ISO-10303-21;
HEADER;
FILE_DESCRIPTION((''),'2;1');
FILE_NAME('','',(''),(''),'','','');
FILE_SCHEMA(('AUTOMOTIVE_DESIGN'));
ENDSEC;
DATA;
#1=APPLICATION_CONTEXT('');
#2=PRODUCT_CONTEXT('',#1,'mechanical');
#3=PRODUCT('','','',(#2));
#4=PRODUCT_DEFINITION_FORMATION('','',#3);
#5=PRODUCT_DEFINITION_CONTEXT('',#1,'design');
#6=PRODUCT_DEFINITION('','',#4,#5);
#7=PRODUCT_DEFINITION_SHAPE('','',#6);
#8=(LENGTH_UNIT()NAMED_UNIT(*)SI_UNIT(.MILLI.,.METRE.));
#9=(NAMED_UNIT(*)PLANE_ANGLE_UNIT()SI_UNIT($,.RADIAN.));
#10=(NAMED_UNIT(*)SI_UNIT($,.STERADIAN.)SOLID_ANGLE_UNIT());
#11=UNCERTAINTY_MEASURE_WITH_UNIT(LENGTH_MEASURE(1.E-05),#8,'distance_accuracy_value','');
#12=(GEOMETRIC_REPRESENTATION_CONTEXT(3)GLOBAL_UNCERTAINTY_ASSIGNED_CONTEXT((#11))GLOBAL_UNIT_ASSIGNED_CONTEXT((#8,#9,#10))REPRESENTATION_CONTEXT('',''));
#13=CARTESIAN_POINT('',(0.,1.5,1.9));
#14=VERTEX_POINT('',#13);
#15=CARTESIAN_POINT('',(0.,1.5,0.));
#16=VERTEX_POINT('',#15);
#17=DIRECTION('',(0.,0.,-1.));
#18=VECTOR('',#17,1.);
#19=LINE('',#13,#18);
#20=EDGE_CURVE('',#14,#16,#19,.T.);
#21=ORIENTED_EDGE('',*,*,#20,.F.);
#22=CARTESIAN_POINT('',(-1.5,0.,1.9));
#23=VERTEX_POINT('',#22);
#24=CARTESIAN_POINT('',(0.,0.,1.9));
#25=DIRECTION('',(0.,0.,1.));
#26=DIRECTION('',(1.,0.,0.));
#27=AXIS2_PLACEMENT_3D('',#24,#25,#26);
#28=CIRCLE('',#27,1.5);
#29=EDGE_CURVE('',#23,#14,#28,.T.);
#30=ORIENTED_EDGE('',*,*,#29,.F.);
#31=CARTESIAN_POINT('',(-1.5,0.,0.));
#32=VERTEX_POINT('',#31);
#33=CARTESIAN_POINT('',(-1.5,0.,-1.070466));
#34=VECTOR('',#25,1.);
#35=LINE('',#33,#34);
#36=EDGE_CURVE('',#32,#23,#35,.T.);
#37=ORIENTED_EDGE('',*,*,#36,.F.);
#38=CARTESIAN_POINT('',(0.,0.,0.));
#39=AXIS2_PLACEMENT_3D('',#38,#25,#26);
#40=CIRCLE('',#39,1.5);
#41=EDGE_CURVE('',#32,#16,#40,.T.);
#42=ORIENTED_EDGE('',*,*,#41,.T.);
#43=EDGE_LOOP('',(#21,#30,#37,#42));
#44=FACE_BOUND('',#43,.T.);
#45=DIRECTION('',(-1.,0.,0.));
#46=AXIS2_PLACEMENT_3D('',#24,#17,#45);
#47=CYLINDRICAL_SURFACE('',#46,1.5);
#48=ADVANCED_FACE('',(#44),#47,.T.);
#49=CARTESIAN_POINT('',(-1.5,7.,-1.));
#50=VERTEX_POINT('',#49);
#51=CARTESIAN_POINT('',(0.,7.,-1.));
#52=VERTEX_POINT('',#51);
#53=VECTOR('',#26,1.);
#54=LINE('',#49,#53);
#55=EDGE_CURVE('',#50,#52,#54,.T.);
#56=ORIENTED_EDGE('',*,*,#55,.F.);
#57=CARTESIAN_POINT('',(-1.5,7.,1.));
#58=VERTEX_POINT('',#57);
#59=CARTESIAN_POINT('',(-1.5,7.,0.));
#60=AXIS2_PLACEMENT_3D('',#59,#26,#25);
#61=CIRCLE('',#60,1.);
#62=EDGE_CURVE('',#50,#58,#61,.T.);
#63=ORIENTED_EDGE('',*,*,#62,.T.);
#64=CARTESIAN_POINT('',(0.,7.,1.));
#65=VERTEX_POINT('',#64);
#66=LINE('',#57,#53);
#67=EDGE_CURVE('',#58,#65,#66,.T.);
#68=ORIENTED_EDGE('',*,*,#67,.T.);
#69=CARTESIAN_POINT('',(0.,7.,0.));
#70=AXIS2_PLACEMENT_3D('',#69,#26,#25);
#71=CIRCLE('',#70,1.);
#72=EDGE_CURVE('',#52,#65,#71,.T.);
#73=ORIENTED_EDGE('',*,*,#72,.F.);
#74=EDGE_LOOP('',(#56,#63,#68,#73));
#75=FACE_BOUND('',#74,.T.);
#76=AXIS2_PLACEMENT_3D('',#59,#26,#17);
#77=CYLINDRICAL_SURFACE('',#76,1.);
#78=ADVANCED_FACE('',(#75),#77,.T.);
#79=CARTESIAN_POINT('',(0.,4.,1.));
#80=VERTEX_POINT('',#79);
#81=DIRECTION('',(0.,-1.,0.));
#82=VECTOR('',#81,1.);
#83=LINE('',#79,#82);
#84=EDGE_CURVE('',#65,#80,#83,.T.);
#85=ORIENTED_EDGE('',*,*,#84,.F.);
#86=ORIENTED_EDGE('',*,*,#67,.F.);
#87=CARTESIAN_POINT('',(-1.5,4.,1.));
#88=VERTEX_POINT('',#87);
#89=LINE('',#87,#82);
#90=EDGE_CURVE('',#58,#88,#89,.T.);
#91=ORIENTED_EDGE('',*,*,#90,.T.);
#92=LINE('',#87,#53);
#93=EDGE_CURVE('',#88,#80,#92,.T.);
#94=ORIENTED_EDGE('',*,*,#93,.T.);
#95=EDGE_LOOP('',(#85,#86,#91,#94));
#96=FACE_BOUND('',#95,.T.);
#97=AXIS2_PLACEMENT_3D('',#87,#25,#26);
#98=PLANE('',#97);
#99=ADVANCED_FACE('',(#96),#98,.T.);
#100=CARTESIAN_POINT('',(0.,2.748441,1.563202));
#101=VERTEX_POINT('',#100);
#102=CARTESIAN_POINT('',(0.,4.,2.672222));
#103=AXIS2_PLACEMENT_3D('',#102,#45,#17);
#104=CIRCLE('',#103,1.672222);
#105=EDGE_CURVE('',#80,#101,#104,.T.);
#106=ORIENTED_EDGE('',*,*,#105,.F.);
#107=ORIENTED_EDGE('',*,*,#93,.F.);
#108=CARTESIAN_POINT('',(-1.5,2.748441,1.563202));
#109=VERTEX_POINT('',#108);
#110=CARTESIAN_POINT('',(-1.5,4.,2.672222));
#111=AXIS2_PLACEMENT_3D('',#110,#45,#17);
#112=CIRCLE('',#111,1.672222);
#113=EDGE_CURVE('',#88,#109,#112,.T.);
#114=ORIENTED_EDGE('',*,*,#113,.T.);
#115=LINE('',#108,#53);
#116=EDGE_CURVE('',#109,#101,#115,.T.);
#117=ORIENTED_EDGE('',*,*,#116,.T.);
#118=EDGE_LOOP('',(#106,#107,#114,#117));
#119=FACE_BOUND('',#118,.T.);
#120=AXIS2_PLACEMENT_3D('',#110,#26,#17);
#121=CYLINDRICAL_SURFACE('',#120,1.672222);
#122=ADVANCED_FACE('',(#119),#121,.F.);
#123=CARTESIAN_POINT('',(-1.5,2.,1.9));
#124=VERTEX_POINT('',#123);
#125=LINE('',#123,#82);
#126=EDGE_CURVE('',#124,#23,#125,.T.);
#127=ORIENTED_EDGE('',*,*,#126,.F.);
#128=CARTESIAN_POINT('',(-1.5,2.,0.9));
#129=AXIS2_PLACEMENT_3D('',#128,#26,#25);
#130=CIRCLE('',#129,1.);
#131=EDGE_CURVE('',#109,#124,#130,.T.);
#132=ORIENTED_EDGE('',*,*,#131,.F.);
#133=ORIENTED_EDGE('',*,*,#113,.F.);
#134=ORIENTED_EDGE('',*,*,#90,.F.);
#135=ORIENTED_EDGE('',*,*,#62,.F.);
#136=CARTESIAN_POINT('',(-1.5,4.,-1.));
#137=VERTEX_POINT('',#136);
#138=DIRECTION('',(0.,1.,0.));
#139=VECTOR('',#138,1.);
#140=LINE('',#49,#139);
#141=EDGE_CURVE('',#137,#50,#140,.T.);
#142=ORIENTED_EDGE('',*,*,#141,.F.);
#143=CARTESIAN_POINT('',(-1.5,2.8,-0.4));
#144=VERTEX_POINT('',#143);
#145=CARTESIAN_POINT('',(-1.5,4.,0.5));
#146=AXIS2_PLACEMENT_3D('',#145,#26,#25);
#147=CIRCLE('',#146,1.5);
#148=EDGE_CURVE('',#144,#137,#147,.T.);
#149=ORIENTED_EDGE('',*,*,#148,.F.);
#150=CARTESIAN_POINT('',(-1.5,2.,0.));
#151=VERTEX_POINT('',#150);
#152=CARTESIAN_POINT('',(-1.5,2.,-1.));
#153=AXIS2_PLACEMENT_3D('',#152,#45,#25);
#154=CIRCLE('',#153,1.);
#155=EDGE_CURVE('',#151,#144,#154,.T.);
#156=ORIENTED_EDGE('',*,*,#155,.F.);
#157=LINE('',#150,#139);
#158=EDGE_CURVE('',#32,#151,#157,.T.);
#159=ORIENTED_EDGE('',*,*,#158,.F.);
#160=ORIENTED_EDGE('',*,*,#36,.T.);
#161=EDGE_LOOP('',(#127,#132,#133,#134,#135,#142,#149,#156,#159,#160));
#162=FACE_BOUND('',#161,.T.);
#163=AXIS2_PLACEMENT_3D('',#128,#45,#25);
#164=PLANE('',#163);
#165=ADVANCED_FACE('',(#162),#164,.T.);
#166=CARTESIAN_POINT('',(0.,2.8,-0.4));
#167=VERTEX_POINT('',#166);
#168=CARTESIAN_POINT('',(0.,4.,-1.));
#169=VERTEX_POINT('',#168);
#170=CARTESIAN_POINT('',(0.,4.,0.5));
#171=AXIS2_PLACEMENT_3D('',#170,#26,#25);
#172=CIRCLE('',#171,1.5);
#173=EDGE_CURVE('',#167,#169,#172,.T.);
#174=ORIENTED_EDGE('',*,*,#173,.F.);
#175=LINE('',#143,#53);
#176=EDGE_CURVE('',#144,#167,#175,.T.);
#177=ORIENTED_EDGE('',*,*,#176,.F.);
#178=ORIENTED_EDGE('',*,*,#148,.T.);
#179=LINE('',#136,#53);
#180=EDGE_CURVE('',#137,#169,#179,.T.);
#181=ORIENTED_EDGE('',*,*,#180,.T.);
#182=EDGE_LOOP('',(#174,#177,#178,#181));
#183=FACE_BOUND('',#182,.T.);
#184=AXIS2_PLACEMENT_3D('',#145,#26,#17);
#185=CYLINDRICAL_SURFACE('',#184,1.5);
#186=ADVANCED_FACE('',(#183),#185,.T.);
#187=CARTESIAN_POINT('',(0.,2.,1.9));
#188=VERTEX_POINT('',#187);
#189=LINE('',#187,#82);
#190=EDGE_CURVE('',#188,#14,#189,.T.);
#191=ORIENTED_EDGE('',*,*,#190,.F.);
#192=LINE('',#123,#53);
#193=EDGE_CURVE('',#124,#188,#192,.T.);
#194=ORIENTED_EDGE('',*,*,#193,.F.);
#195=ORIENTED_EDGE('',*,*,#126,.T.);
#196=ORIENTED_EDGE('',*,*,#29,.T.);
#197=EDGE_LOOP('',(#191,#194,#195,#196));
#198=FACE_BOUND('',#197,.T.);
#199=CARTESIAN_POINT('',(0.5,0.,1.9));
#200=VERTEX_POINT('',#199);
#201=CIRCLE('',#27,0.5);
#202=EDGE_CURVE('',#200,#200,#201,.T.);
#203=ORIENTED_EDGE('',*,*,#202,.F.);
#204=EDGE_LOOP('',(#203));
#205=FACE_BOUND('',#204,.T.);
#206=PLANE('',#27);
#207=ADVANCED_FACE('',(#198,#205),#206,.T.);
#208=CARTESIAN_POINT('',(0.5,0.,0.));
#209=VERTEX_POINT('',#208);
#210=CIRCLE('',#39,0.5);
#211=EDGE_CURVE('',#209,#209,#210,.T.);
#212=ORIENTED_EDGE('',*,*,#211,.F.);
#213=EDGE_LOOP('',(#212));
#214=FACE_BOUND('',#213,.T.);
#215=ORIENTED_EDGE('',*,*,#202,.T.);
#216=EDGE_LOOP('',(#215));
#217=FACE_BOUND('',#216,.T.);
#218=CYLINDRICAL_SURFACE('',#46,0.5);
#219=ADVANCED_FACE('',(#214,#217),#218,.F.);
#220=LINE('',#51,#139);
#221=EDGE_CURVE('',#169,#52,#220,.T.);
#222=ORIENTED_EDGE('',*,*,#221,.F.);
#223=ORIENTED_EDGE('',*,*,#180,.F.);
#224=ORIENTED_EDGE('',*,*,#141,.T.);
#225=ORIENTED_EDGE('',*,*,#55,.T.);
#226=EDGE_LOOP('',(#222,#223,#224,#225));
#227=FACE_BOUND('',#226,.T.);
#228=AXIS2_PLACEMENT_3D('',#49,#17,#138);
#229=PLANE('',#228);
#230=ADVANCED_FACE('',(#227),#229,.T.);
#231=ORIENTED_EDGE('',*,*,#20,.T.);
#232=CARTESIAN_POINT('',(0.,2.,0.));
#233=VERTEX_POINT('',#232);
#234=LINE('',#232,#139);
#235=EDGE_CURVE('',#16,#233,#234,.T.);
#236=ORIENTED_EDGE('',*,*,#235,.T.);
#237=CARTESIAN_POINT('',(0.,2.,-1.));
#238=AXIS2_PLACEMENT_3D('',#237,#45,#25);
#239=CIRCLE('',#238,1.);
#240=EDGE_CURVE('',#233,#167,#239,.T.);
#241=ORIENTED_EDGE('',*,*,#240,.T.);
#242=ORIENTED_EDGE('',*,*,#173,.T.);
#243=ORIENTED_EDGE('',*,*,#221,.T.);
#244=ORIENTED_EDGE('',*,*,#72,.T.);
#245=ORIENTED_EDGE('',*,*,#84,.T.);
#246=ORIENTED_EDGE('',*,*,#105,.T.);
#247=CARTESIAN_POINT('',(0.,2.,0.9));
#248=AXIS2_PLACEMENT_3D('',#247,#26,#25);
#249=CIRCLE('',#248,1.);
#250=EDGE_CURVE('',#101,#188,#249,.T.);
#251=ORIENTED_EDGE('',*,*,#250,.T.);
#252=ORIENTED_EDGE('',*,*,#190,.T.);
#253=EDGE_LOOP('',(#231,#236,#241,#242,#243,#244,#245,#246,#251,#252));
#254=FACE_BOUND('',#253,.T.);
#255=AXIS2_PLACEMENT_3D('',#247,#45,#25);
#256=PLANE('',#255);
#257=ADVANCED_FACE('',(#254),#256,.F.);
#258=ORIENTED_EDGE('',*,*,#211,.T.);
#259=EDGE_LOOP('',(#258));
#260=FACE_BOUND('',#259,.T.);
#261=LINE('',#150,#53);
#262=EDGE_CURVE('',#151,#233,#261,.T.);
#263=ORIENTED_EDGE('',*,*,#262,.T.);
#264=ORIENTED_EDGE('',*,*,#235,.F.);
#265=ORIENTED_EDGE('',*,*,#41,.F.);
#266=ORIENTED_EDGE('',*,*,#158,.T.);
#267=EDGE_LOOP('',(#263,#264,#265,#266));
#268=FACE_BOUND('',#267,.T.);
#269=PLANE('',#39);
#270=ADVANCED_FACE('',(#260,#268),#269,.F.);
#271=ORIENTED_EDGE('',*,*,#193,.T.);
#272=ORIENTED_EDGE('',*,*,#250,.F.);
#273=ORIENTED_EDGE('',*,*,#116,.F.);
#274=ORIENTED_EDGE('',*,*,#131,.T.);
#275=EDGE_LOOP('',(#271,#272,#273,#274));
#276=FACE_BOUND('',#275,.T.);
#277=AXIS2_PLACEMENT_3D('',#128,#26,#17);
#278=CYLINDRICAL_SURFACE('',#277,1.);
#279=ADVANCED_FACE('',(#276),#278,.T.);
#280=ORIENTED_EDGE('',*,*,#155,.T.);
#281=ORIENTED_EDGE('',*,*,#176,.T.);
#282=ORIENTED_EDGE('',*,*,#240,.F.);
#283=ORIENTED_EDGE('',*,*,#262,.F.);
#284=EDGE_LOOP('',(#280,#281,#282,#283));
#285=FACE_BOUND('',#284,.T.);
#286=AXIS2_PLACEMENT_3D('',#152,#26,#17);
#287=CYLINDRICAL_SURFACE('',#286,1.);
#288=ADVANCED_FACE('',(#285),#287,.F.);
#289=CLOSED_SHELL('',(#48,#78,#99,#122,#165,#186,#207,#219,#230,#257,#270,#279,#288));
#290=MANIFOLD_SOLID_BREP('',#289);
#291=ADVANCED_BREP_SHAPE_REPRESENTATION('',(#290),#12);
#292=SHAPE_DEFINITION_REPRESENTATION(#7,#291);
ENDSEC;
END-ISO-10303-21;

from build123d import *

# Parameters (mm, degrees)
CROQUIS1_R              = 1.5
CROQUIS1_R_2            = 0.5
SALIENTE_EXTRUIR1_DEPTH = 1.9
SALIENTE_EXTRUIR2_DEPTH = 1.5
SALIENTE_EXTRUIR3_START = -1.9
SALIENTE_EXTRUIR3_DEPTH = 1.9


with BuildPart() as part:
    # Croquis1 → Saliente-Extruir1 (new body)
    with BuildSketch(Plane.XY):
        with Locations(Location((0, 0, 0), (0, 0, 180))):
            Circle(CROQUIS1_R)
        Circle(CROQUIS1_R_2, mode=Mode.SUBTRACT)
    extrude(amount=SALIENTE_EXTRUIR1_DEPTH)

    # Croquis2 → Saliente-Extruir2 (add)
    with BuildSketch(Plane(origin=(0, 0, 0), x_dir=(0, 0, -1), z_dir=(1, 0, 0))):
        with BuildLine():
            Line((-1.9, 2), (-1.9, 1))
            Line((-1.9, 1), (0, 1))
            Line((0, 1), (0, 2))
            ThreePointArc((0, 2), (0.105572809, 2.447213595), (0.4, 2.8))
            ThreePointArc((0.4, 2.8), (0.841640786, 3.329179607), (1, 4))
            Line((1, 4), (1, 7))
            ThreePointArc((1, 7), (0, 8), (-1, 7))
            Line((-1, 7), (-1, 4))
            ThreePointArc((-1, 4), (-1.147286816, 3.313779067), (-1.563201663, 2.748440748))
            ThreePointArc((-1.563201663, 2.748440748), (-1.811921505, 2.410364677), (-1.9, 2))
        make_face()
    extrude(amount=-SALIENTE_EXTRUIR2_DEPTH)

    # Croquis3 → Saliente-Extruir3 (add)
    with BuildSketch(Plane.XY.offset(1.9).offset(SALIENTE_EXTRUIR3_START)):
        with BuildLine():
            Line((-1.5, 1), (-1.5, 0))
            ThreePointArc((-1.5, 0), (-1.401258538, 0.535233135), (-1.118033989, 1))
            Line((-1.118033989, 1), (-1.5, 1))
        make_face()
    extrude(amount=SALIENTE_EXTRUIR3_DEPTH)


solid = part.part
